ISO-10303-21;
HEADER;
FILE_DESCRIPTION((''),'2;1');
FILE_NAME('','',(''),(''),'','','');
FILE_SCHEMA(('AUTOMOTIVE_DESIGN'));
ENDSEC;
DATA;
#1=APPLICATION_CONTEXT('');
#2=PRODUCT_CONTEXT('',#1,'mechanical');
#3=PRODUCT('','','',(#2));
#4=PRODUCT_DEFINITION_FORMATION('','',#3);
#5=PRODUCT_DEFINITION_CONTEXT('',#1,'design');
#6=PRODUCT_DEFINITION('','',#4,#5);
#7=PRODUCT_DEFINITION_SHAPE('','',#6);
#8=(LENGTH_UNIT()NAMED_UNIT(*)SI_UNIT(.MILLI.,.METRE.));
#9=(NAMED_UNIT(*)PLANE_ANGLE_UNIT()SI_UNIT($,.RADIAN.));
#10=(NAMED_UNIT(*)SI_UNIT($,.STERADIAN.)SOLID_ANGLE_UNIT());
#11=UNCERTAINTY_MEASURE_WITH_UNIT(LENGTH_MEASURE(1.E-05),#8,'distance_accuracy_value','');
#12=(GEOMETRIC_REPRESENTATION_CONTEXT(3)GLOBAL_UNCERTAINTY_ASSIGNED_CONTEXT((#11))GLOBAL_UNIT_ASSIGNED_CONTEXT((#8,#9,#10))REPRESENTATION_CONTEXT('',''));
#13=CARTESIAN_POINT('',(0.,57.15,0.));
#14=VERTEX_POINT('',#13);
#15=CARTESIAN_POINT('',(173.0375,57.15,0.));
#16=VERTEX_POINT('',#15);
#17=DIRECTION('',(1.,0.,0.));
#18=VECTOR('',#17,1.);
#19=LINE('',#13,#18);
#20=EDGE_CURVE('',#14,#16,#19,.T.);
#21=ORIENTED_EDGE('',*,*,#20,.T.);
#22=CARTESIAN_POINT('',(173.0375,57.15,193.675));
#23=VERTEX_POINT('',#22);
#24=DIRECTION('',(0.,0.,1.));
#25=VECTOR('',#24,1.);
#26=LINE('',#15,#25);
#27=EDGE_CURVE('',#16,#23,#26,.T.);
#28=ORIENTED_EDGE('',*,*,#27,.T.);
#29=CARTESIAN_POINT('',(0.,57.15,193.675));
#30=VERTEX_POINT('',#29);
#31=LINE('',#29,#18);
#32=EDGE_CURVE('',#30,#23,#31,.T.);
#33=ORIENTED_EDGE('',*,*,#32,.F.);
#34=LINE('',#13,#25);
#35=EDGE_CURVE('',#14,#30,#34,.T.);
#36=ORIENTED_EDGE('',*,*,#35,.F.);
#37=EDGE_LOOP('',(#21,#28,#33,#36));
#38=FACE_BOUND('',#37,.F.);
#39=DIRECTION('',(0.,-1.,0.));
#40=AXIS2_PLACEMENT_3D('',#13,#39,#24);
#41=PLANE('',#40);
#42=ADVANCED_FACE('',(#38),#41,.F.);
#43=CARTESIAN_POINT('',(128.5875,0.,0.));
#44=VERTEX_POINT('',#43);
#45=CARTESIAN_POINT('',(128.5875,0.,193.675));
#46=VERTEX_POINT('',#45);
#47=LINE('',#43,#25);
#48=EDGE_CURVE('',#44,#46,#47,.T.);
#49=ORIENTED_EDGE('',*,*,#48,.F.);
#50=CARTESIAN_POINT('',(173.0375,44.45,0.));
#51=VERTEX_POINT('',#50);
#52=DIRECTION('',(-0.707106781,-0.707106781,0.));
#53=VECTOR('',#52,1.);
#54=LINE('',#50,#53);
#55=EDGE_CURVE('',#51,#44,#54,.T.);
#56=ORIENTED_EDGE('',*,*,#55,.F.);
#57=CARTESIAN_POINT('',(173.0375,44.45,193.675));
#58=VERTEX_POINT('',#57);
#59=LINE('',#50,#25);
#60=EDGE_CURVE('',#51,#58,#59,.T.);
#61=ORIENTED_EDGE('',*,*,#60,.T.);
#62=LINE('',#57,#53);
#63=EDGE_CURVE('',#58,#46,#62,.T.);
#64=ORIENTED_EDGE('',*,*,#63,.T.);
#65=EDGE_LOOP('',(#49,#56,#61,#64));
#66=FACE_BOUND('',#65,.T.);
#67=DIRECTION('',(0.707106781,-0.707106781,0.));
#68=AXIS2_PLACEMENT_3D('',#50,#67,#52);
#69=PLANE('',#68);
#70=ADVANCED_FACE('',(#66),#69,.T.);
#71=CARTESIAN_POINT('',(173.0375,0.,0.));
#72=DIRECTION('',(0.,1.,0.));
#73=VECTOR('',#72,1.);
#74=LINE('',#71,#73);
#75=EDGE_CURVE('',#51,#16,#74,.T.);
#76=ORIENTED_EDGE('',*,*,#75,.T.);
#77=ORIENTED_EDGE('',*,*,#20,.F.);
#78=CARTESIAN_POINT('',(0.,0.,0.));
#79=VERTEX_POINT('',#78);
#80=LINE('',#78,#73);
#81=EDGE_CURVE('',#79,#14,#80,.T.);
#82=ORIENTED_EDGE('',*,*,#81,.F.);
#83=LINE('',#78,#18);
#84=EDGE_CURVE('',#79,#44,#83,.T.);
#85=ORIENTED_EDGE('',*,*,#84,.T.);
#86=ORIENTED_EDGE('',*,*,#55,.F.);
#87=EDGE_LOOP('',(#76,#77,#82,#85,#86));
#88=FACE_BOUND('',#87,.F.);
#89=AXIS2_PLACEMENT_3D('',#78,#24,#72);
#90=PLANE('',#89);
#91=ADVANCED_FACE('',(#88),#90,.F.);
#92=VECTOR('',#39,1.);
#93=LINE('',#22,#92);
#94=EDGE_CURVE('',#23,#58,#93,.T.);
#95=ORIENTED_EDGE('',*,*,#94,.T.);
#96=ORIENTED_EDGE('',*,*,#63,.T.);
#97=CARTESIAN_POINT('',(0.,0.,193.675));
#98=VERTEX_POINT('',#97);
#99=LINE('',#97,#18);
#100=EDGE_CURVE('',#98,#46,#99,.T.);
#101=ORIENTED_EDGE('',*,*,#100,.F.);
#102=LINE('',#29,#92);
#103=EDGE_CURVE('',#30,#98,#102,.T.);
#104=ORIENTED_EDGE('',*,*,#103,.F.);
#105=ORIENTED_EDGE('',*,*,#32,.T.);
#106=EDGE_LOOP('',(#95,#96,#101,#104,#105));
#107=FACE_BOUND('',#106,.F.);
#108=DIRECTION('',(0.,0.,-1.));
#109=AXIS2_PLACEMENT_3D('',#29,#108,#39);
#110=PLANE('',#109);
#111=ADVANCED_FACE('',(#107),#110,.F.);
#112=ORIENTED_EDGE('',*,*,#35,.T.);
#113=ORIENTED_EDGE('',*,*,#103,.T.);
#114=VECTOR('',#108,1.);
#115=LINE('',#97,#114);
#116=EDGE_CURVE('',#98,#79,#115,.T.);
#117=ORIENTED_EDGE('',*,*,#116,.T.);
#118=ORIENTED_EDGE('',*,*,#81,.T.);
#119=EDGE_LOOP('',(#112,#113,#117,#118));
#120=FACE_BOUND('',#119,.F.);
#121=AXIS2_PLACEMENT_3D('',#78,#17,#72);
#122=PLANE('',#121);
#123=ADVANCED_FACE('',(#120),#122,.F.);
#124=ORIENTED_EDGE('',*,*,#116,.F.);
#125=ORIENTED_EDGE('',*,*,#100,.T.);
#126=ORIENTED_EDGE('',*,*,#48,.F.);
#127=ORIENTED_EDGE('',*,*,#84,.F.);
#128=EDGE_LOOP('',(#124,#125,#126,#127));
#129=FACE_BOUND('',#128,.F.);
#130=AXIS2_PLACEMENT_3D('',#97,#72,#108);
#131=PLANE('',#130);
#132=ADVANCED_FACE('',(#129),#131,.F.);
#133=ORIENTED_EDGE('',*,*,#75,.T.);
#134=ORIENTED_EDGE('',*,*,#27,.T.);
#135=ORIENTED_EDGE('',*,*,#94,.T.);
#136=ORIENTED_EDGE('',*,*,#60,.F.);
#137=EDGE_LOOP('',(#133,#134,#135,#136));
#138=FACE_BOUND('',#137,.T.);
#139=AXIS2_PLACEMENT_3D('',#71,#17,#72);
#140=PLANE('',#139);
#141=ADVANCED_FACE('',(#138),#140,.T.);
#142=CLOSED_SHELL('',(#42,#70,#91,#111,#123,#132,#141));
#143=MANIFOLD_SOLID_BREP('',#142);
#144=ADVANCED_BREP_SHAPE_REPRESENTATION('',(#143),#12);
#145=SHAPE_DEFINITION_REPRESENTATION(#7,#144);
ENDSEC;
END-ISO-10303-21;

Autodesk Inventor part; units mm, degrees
ref_plane "YZ Plane" through (0, 0, 0) normal (1, 0, 0) x (0, 1, 0)
ref_plane "XZ Plane" through (0, 0, 0) normal (0, 1, 0) x (-1, 0, 0)
ref_plane "XY Plane" through (0, 0, 0) normal (0, 0, 1) x (1, 0, 0)
sketch "Sketch1" plane through (0, 0, 0) normal (1, 0, 0) x (0, 1, 0)
  line L0 (0, 0) -> (57.15, 0)
  line L1 (57.15, 0) -> (57.15, 193.675)
  line L2 (57.15, 193.675) -> (0, 193.675)
  line L3 (0, 193.675) -> (0, 0)
  dimension "d0" = 57.15
  dimension "d1" = 193.675
extrude "Extrusion1" add sketch "Sketch1" along normal blind 173.0375
sketch "Sketch3" plane through (0, 0, 0) normal (0, 0, -1) x (-1, 0, 0)
  line L0 (-173.0375, 57.15) -> (-173.0375, 0) projected
  line L1 (-173.0375, 44.45) -> (-128.5875, 0)
  line L2 (-173.0375, 44.45) -> (-110.1757, 44.45) construction
  line L3 (-128.5875, 0) -> (-173.0375, 0)
  line L4 (-173.0375, 0) -> (-173.0375, 44.45)
  point P0 (0, 0)
  dimension "d9" = 45
  dimension "d10" = 12.7
  dimension "d11" = 44.45
extrude "Extrusion3" cut sketch "Sketch3" against normal up to surface (193.675 mm away)
properties part number "3-80" material "Granite, Cut, Polished"
